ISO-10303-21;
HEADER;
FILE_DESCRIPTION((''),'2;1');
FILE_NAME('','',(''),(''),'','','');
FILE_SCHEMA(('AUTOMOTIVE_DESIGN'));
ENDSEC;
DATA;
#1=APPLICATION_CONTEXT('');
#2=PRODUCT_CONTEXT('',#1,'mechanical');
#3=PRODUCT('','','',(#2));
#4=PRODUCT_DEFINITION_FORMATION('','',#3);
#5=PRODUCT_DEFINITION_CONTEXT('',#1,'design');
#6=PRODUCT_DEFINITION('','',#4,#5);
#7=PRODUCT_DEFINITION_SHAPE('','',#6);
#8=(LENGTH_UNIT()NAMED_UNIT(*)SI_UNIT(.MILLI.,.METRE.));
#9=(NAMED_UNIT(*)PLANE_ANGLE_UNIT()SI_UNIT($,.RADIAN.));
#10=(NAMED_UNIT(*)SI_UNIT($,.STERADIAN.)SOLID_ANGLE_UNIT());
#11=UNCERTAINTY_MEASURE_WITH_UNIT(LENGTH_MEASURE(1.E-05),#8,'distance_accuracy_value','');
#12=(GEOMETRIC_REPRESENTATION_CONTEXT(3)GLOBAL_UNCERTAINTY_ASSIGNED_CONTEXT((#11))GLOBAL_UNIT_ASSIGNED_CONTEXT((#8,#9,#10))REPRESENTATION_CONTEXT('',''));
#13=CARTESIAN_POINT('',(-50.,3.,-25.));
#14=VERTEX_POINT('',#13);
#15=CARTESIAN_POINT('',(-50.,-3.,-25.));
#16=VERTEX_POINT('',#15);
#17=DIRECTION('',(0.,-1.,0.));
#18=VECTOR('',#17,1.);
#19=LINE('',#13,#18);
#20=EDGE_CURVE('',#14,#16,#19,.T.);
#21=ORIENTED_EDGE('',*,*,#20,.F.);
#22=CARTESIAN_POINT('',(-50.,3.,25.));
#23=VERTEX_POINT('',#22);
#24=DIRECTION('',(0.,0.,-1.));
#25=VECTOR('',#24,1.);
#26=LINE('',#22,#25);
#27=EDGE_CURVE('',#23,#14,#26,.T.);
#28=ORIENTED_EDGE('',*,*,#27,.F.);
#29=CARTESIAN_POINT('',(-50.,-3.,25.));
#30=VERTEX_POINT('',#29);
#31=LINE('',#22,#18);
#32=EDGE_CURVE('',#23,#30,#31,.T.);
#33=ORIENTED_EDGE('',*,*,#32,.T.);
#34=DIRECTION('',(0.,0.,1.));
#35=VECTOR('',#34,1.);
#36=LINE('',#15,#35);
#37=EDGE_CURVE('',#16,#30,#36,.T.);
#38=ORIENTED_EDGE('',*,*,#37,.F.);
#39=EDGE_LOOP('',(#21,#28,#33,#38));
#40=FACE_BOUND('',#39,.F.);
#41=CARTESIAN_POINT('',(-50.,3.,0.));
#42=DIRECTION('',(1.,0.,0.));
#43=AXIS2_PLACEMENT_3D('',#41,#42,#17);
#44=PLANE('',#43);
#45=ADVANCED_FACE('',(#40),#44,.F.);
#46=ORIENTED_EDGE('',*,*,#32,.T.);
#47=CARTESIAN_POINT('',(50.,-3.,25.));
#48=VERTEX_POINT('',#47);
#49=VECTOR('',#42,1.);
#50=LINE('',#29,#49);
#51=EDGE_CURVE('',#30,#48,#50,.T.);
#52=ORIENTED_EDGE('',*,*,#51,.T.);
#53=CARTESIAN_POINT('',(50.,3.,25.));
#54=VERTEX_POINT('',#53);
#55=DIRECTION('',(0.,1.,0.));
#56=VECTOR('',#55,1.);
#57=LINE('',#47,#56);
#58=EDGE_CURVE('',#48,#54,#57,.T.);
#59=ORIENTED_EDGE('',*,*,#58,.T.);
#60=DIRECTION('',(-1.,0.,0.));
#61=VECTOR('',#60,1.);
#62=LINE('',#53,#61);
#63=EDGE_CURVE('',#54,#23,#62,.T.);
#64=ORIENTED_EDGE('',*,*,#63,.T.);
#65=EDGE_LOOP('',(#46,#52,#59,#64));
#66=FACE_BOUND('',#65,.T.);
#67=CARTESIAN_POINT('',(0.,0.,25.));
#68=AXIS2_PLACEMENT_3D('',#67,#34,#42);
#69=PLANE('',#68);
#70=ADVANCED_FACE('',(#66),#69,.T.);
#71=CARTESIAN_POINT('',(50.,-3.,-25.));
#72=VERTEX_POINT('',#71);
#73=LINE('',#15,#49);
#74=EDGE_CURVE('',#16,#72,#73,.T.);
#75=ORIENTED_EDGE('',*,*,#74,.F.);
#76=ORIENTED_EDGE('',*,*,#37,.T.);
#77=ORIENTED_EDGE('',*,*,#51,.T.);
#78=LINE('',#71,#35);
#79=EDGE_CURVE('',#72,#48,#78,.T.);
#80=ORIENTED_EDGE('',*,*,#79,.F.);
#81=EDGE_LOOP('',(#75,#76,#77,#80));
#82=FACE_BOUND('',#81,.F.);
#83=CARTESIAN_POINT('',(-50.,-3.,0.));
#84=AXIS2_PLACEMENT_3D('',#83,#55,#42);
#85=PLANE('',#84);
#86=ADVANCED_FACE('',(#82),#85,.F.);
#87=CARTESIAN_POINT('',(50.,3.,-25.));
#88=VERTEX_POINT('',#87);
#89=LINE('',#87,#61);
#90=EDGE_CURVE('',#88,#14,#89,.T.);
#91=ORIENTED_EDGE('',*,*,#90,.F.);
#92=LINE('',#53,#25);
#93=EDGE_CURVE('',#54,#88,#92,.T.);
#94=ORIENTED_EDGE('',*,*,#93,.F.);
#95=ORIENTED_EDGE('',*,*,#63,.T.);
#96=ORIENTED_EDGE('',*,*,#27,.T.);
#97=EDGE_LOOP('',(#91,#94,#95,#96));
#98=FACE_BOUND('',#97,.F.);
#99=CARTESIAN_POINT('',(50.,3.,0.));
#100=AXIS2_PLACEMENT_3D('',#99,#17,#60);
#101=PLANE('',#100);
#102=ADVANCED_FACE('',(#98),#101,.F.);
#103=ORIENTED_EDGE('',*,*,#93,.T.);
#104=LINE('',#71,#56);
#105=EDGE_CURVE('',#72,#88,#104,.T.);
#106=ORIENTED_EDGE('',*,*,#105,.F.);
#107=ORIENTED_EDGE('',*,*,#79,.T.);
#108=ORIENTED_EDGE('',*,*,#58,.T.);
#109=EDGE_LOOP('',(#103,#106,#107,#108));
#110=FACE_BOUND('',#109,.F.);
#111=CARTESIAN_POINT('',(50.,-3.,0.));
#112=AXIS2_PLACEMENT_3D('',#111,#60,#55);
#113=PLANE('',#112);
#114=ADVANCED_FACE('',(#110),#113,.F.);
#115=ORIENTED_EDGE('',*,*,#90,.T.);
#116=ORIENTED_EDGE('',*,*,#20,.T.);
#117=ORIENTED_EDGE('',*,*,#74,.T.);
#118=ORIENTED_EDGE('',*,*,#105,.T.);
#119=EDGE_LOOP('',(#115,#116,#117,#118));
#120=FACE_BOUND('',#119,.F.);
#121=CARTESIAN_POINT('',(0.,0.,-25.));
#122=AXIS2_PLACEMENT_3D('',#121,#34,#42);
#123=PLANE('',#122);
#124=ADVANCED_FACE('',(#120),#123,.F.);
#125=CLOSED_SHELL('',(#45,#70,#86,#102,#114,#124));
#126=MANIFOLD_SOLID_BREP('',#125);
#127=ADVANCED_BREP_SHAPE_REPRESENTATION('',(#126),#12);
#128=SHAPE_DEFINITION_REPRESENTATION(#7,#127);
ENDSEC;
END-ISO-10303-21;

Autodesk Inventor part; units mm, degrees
ref_plane "YZ Plane" through (0, 0, 0) normal (1, 0, 0) x (0, 1, 0)
ref_plane "XZ Plane" through (0, 0, 0) normal (0, 1, 0) x (-1, 0, 0)
ref_plane "XY Plane" through (0, 0, 0) normal (0, 0, 1) x (1, 0, 0)
sketch "Sketch1" plane through (0, 0, 0) normal (0, 0, 1) x (1, 0, 0)
  line L0 (-50, -3) -> (50, -3)
  line L1 (50, -3) -> (50, 3)
  line L2 (50, 3) -> (-50, 3)
  line L3 (-50, 3) -> (-50, -3)
  line L4 (-50, -3) -> (50, 3) construction
  line L5 (50, -3) -> (-50, 3) construction
  point P0 (0, 0)
  dimension "d0" = 6
  dimension "d1" = 100
extrude "Extrusion1" add sketch "Sketch1" along normal mid plane 50
properties part number "BATTERY_MOUNT_RETROFIT"
